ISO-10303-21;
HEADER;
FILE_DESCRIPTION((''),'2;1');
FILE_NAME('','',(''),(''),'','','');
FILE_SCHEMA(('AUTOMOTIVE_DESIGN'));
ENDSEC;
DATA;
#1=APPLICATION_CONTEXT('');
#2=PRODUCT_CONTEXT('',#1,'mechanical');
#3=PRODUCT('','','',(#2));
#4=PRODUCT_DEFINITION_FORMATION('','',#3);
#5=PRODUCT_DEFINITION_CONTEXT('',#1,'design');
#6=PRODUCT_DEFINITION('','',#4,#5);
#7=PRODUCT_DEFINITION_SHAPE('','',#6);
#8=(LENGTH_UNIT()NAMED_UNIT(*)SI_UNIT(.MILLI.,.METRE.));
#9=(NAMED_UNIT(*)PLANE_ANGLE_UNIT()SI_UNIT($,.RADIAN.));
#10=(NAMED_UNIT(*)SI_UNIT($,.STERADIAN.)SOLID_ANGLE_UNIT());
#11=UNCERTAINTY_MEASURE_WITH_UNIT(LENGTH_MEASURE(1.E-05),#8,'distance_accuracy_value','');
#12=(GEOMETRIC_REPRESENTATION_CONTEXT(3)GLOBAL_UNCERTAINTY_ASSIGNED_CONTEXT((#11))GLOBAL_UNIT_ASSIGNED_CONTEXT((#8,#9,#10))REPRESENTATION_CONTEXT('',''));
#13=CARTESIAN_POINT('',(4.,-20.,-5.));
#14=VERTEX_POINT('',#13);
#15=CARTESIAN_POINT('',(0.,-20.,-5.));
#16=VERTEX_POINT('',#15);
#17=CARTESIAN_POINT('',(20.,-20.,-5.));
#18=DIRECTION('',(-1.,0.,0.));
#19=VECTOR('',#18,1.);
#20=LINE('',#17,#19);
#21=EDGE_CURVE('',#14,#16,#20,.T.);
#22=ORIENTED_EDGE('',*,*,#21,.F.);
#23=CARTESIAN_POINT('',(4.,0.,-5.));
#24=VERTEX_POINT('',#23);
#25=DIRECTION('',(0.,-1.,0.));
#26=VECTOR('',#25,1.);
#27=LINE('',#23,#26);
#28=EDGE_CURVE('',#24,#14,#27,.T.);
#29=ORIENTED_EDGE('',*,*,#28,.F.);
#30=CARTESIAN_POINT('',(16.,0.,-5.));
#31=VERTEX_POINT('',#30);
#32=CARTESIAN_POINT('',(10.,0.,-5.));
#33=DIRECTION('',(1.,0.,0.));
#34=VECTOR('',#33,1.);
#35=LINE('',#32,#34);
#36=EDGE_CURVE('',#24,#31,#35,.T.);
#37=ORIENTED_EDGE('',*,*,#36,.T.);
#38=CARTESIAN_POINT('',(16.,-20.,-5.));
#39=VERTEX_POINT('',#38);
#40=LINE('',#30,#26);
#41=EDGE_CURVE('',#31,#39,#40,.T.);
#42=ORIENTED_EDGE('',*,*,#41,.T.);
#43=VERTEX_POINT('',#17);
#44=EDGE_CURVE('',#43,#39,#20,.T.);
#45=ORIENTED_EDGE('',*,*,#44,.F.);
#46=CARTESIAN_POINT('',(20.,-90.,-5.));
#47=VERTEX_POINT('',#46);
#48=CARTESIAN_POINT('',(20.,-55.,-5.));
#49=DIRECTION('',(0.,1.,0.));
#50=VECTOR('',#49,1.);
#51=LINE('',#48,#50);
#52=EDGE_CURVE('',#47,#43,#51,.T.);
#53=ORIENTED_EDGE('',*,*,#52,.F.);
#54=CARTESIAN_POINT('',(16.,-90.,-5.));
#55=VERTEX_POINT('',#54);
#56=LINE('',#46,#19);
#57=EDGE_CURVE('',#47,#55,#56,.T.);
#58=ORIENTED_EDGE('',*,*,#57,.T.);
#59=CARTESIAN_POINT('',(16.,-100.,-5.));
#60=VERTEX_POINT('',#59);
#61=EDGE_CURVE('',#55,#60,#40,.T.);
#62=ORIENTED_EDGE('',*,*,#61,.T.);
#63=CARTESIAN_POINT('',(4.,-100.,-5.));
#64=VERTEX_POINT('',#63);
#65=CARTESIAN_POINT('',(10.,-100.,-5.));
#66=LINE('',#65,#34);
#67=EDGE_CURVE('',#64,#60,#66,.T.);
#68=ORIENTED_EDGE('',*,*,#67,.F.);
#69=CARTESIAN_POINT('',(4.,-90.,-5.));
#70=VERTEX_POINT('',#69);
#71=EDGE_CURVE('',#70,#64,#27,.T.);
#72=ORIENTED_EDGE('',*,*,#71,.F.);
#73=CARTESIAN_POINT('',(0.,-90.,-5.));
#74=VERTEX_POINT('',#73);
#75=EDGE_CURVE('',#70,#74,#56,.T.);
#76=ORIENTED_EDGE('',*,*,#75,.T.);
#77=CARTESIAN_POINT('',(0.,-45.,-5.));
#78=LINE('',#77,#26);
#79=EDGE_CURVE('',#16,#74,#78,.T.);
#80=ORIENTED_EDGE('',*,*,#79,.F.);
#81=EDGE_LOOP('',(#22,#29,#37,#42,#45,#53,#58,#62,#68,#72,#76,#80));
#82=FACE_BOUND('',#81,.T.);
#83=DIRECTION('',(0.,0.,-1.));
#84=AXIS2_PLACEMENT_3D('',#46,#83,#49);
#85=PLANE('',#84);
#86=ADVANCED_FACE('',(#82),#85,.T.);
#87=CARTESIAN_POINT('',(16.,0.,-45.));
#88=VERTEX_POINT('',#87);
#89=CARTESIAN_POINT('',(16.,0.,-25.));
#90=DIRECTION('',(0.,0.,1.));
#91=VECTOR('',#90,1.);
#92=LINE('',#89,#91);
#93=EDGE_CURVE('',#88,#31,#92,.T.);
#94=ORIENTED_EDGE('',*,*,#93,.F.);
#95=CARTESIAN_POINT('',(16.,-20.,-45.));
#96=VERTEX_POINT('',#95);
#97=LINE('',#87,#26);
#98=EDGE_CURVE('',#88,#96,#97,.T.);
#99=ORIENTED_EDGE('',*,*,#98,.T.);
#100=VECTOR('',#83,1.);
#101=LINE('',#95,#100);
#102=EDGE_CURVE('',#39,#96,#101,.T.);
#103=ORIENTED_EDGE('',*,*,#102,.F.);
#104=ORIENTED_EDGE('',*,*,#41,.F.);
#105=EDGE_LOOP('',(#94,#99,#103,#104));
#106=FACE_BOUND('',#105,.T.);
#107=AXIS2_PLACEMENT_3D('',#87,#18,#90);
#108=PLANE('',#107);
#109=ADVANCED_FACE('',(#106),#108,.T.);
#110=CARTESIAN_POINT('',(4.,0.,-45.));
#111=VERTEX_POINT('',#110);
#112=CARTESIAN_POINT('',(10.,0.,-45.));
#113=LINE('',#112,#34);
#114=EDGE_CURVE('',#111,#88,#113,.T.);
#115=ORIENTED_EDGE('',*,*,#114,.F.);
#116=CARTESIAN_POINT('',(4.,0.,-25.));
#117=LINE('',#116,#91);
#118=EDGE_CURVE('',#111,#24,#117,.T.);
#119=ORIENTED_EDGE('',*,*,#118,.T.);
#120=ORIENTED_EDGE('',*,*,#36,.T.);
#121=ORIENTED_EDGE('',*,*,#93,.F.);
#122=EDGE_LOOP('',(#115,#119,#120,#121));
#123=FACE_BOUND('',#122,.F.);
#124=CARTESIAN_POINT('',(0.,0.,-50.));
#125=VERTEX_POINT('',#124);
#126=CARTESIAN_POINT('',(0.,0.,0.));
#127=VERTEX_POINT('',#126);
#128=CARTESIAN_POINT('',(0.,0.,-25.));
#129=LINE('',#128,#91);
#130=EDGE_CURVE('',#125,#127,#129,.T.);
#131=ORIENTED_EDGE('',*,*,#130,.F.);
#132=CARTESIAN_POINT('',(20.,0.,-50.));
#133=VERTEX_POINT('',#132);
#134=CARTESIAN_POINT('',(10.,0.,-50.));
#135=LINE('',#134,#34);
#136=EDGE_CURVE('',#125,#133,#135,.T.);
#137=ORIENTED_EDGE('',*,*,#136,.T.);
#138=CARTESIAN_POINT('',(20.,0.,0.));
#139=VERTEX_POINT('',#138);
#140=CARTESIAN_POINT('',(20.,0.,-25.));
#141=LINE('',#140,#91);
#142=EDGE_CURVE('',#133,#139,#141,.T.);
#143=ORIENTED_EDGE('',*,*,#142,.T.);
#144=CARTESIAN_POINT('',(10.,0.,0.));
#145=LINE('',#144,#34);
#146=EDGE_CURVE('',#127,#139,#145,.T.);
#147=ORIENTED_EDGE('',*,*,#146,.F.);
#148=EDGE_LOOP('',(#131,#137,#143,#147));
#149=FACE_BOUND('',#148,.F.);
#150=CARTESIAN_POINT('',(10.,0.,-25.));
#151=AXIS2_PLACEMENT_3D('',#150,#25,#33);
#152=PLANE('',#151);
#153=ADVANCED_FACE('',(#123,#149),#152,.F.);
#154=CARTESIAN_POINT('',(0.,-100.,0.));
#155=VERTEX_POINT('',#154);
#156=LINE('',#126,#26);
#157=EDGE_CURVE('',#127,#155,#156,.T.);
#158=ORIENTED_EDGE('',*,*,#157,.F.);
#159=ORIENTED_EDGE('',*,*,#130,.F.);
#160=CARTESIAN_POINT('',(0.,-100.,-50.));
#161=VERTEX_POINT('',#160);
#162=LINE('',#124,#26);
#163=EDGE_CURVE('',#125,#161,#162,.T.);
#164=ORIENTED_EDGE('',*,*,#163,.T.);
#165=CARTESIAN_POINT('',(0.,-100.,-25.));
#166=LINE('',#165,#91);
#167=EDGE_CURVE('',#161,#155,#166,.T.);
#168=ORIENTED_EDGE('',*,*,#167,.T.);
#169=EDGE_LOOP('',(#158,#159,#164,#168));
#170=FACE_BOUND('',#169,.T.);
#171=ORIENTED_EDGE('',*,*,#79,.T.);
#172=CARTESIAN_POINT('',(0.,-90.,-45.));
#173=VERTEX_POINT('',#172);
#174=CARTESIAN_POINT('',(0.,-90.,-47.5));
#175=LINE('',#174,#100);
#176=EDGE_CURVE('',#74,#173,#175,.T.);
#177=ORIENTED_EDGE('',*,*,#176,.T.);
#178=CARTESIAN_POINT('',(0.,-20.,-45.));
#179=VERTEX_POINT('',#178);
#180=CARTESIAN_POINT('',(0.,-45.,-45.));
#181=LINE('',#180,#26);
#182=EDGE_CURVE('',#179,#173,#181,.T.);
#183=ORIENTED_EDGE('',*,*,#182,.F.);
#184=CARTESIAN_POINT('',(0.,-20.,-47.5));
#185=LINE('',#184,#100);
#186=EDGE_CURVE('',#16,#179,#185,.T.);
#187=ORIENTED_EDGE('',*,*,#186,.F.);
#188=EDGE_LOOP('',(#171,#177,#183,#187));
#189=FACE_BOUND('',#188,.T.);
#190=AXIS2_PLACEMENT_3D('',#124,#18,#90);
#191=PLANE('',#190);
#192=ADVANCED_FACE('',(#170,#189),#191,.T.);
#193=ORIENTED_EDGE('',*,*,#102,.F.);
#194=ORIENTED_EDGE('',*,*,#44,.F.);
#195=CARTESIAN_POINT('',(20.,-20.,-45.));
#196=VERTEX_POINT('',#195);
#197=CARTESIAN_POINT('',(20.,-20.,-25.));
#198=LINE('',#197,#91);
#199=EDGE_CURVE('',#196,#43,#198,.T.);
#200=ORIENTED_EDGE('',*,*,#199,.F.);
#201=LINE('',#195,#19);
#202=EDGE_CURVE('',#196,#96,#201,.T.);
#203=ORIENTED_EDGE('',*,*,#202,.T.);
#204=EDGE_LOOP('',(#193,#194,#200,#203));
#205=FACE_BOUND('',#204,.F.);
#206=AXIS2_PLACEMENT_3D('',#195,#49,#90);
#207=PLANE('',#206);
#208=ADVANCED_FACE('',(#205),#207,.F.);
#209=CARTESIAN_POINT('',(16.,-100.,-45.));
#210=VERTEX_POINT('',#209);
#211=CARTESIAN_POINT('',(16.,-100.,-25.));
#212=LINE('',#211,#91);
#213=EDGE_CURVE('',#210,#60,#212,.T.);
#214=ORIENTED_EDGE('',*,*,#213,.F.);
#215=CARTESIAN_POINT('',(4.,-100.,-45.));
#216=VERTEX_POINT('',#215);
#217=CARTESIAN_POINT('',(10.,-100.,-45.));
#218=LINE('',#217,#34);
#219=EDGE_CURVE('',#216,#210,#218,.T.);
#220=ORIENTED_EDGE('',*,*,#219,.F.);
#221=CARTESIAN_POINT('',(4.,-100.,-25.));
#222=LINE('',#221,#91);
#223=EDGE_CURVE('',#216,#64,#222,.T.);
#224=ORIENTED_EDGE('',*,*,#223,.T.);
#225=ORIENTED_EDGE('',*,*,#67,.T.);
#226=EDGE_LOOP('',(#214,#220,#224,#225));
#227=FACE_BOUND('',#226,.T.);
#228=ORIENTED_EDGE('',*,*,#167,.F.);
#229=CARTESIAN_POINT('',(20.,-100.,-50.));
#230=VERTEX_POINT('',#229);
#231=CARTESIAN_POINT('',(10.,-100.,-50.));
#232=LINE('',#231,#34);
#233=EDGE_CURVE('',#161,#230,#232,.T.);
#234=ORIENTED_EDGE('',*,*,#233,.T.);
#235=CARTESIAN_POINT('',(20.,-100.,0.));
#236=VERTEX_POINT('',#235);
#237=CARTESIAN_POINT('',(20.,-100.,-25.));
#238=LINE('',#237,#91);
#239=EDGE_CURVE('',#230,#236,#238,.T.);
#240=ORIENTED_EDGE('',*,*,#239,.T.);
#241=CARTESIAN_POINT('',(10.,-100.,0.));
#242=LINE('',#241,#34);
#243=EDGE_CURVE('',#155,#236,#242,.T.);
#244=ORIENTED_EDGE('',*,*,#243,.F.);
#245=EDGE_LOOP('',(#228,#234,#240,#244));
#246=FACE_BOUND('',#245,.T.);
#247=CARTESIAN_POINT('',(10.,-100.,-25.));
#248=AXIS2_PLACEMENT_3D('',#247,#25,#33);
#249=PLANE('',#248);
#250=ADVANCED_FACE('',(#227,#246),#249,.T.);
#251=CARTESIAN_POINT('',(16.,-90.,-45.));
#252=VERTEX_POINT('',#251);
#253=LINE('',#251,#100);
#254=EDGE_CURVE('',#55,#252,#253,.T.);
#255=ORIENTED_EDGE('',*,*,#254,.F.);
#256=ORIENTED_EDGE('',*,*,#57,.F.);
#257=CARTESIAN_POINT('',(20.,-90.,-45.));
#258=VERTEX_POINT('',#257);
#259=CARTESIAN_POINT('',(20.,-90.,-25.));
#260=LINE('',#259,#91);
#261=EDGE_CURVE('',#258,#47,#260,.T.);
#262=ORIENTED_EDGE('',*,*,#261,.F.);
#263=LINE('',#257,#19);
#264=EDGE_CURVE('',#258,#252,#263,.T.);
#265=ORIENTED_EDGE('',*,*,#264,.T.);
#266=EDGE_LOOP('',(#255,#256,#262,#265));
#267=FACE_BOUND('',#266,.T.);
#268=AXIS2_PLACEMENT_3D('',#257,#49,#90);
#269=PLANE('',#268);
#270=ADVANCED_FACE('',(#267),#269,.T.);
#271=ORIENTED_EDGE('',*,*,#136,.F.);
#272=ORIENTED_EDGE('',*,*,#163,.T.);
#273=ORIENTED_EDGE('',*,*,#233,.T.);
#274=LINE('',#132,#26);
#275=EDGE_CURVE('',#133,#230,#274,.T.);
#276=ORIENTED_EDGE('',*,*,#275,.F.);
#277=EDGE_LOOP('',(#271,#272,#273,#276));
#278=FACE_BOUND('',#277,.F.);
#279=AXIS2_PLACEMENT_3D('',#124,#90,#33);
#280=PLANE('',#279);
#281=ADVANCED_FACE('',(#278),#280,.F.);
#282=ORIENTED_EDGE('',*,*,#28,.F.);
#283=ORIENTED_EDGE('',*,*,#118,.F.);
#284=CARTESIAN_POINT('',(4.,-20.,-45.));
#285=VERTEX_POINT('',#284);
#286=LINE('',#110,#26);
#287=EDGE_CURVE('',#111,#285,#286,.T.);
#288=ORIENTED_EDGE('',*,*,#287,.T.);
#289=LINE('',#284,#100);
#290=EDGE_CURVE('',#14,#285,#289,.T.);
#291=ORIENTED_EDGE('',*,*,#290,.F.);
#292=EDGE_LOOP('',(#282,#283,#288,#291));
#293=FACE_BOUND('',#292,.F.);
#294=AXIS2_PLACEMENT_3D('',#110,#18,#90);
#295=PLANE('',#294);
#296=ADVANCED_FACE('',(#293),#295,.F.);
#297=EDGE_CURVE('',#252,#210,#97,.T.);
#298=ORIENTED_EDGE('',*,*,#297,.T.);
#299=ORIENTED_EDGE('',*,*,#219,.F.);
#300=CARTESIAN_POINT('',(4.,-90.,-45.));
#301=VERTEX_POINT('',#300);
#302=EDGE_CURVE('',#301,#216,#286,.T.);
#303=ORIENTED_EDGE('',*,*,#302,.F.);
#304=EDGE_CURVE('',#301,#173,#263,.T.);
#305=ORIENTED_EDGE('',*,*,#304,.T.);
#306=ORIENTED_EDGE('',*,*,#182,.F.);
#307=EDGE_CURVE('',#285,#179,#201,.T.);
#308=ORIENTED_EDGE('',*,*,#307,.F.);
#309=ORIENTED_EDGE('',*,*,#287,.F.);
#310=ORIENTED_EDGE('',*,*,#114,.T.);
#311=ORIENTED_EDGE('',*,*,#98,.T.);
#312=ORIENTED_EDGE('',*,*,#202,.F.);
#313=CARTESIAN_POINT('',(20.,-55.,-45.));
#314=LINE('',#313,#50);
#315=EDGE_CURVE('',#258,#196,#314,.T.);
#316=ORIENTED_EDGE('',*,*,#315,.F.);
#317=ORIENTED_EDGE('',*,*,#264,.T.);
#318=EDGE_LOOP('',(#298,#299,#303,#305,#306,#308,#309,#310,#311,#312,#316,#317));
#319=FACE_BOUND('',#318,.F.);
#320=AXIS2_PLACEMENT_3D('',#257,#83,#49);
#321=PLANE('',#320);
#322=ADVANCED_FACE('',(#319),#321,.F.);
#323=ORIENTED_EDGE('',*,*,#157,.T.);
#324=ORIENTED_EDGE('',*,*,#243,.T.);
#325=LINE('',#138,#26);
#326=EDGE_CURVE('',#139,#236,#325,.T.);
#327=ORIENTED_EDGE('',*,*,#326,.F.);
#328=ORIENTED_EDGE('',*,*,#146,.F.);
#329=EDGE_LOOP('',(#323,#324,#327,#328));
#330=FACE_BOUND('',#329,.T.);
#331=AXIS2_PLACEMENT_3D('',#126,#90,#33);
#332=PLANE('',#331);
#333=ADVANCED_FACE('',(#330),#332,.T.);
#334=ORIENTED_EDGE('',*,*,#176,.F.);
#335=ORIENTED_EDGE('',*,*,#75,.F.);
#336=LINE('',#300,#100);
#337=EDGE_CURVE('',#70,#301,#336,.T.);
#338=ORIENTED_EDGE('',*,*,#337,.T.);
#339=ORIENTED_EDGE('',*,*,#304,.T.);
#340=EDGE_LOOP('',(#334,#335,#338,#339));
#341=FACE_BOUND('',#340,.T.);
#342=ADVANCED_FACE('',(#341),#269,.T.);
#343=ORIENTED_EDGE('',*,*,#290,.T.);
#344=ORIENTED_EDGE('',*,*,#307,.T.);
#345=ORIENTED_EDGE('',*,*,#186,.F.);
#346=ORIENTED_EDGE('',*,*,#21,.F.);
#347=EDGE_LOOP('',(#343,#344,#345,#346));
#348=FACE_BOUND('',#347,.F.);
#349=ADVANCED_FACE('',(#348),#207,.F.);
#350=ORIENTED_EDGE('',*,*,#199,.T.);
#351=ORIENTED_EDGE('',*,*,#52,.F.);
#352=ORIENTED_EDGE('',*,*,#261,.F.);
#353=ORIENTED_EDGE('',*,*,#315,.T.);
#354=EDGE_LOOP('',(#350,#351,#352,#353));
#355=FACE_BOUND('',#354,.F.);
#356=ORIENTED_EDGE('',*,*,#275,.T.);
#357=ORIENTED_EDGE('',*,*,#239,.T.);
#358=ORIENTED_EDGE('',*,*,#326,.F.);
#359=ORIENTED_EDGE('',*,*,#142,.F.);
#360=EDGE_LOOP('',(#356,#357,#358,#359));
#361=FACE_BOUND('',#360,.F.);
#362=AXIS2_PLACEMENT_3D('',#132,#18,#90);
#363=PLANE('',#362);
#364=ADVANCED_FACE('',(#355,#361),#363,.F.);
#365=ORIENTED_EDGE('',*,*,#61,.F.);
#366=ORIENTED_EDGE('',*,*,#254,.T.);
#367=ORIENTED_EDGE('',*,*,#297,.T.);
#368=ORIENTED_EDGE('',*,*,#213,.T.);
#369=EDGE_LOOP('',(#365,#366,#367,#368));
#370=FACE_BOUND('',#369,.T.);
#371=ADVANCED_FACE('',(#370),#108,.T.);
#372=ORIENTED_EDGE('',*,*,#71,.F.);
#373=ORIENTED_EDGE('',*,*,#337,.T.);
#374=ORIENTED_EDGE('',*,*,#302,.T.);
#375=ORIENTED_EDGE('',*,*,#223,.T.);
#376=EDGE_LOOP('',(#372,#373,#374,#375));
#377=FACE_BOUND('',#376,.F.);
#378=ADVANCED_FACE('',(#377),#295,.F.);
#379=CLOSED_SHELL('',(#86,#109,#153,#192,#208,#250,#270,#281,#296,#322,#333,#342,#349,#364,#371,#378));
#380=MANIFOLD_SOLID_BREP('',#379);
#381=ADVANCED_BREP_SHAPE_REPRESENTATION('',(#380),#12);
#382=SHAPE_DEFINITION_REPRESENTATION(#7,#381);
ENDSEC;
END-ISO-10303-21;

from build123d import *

# Parameters (mm, degrees)
F0_W     = 20
F0_H     = 50
F0_W_2   = 12
F0_H_2   = 40
F1_DEPTH = 100
F2_W     = 70
F2_H     = 40
F3_DEPTH = 25


with BuildPart() as f1:
    # F0 (on Front) → F1 (new body)
    with BuildSketch(Plane.XZ):
        with Locations((10, -25)):
            Rectangle(F0_W, F0_H)
        with Locations((10, -25)):
            Rectangle(F0_W_2, F0_H_2, mode=Mode.SUBTRACT)
    extrude(amount=F1_DEPTH)

    # F2 (on face) → F3 (cut)
    with BuildSketch(Plane.YZ.offset(20)):
        with Locations((-55, -25)):
            Rectangle(F2_W, F2_H)
    extrude(amount=-F3_DEPTH, mode=Mode.SUBTRACT)


solid = f1.part
